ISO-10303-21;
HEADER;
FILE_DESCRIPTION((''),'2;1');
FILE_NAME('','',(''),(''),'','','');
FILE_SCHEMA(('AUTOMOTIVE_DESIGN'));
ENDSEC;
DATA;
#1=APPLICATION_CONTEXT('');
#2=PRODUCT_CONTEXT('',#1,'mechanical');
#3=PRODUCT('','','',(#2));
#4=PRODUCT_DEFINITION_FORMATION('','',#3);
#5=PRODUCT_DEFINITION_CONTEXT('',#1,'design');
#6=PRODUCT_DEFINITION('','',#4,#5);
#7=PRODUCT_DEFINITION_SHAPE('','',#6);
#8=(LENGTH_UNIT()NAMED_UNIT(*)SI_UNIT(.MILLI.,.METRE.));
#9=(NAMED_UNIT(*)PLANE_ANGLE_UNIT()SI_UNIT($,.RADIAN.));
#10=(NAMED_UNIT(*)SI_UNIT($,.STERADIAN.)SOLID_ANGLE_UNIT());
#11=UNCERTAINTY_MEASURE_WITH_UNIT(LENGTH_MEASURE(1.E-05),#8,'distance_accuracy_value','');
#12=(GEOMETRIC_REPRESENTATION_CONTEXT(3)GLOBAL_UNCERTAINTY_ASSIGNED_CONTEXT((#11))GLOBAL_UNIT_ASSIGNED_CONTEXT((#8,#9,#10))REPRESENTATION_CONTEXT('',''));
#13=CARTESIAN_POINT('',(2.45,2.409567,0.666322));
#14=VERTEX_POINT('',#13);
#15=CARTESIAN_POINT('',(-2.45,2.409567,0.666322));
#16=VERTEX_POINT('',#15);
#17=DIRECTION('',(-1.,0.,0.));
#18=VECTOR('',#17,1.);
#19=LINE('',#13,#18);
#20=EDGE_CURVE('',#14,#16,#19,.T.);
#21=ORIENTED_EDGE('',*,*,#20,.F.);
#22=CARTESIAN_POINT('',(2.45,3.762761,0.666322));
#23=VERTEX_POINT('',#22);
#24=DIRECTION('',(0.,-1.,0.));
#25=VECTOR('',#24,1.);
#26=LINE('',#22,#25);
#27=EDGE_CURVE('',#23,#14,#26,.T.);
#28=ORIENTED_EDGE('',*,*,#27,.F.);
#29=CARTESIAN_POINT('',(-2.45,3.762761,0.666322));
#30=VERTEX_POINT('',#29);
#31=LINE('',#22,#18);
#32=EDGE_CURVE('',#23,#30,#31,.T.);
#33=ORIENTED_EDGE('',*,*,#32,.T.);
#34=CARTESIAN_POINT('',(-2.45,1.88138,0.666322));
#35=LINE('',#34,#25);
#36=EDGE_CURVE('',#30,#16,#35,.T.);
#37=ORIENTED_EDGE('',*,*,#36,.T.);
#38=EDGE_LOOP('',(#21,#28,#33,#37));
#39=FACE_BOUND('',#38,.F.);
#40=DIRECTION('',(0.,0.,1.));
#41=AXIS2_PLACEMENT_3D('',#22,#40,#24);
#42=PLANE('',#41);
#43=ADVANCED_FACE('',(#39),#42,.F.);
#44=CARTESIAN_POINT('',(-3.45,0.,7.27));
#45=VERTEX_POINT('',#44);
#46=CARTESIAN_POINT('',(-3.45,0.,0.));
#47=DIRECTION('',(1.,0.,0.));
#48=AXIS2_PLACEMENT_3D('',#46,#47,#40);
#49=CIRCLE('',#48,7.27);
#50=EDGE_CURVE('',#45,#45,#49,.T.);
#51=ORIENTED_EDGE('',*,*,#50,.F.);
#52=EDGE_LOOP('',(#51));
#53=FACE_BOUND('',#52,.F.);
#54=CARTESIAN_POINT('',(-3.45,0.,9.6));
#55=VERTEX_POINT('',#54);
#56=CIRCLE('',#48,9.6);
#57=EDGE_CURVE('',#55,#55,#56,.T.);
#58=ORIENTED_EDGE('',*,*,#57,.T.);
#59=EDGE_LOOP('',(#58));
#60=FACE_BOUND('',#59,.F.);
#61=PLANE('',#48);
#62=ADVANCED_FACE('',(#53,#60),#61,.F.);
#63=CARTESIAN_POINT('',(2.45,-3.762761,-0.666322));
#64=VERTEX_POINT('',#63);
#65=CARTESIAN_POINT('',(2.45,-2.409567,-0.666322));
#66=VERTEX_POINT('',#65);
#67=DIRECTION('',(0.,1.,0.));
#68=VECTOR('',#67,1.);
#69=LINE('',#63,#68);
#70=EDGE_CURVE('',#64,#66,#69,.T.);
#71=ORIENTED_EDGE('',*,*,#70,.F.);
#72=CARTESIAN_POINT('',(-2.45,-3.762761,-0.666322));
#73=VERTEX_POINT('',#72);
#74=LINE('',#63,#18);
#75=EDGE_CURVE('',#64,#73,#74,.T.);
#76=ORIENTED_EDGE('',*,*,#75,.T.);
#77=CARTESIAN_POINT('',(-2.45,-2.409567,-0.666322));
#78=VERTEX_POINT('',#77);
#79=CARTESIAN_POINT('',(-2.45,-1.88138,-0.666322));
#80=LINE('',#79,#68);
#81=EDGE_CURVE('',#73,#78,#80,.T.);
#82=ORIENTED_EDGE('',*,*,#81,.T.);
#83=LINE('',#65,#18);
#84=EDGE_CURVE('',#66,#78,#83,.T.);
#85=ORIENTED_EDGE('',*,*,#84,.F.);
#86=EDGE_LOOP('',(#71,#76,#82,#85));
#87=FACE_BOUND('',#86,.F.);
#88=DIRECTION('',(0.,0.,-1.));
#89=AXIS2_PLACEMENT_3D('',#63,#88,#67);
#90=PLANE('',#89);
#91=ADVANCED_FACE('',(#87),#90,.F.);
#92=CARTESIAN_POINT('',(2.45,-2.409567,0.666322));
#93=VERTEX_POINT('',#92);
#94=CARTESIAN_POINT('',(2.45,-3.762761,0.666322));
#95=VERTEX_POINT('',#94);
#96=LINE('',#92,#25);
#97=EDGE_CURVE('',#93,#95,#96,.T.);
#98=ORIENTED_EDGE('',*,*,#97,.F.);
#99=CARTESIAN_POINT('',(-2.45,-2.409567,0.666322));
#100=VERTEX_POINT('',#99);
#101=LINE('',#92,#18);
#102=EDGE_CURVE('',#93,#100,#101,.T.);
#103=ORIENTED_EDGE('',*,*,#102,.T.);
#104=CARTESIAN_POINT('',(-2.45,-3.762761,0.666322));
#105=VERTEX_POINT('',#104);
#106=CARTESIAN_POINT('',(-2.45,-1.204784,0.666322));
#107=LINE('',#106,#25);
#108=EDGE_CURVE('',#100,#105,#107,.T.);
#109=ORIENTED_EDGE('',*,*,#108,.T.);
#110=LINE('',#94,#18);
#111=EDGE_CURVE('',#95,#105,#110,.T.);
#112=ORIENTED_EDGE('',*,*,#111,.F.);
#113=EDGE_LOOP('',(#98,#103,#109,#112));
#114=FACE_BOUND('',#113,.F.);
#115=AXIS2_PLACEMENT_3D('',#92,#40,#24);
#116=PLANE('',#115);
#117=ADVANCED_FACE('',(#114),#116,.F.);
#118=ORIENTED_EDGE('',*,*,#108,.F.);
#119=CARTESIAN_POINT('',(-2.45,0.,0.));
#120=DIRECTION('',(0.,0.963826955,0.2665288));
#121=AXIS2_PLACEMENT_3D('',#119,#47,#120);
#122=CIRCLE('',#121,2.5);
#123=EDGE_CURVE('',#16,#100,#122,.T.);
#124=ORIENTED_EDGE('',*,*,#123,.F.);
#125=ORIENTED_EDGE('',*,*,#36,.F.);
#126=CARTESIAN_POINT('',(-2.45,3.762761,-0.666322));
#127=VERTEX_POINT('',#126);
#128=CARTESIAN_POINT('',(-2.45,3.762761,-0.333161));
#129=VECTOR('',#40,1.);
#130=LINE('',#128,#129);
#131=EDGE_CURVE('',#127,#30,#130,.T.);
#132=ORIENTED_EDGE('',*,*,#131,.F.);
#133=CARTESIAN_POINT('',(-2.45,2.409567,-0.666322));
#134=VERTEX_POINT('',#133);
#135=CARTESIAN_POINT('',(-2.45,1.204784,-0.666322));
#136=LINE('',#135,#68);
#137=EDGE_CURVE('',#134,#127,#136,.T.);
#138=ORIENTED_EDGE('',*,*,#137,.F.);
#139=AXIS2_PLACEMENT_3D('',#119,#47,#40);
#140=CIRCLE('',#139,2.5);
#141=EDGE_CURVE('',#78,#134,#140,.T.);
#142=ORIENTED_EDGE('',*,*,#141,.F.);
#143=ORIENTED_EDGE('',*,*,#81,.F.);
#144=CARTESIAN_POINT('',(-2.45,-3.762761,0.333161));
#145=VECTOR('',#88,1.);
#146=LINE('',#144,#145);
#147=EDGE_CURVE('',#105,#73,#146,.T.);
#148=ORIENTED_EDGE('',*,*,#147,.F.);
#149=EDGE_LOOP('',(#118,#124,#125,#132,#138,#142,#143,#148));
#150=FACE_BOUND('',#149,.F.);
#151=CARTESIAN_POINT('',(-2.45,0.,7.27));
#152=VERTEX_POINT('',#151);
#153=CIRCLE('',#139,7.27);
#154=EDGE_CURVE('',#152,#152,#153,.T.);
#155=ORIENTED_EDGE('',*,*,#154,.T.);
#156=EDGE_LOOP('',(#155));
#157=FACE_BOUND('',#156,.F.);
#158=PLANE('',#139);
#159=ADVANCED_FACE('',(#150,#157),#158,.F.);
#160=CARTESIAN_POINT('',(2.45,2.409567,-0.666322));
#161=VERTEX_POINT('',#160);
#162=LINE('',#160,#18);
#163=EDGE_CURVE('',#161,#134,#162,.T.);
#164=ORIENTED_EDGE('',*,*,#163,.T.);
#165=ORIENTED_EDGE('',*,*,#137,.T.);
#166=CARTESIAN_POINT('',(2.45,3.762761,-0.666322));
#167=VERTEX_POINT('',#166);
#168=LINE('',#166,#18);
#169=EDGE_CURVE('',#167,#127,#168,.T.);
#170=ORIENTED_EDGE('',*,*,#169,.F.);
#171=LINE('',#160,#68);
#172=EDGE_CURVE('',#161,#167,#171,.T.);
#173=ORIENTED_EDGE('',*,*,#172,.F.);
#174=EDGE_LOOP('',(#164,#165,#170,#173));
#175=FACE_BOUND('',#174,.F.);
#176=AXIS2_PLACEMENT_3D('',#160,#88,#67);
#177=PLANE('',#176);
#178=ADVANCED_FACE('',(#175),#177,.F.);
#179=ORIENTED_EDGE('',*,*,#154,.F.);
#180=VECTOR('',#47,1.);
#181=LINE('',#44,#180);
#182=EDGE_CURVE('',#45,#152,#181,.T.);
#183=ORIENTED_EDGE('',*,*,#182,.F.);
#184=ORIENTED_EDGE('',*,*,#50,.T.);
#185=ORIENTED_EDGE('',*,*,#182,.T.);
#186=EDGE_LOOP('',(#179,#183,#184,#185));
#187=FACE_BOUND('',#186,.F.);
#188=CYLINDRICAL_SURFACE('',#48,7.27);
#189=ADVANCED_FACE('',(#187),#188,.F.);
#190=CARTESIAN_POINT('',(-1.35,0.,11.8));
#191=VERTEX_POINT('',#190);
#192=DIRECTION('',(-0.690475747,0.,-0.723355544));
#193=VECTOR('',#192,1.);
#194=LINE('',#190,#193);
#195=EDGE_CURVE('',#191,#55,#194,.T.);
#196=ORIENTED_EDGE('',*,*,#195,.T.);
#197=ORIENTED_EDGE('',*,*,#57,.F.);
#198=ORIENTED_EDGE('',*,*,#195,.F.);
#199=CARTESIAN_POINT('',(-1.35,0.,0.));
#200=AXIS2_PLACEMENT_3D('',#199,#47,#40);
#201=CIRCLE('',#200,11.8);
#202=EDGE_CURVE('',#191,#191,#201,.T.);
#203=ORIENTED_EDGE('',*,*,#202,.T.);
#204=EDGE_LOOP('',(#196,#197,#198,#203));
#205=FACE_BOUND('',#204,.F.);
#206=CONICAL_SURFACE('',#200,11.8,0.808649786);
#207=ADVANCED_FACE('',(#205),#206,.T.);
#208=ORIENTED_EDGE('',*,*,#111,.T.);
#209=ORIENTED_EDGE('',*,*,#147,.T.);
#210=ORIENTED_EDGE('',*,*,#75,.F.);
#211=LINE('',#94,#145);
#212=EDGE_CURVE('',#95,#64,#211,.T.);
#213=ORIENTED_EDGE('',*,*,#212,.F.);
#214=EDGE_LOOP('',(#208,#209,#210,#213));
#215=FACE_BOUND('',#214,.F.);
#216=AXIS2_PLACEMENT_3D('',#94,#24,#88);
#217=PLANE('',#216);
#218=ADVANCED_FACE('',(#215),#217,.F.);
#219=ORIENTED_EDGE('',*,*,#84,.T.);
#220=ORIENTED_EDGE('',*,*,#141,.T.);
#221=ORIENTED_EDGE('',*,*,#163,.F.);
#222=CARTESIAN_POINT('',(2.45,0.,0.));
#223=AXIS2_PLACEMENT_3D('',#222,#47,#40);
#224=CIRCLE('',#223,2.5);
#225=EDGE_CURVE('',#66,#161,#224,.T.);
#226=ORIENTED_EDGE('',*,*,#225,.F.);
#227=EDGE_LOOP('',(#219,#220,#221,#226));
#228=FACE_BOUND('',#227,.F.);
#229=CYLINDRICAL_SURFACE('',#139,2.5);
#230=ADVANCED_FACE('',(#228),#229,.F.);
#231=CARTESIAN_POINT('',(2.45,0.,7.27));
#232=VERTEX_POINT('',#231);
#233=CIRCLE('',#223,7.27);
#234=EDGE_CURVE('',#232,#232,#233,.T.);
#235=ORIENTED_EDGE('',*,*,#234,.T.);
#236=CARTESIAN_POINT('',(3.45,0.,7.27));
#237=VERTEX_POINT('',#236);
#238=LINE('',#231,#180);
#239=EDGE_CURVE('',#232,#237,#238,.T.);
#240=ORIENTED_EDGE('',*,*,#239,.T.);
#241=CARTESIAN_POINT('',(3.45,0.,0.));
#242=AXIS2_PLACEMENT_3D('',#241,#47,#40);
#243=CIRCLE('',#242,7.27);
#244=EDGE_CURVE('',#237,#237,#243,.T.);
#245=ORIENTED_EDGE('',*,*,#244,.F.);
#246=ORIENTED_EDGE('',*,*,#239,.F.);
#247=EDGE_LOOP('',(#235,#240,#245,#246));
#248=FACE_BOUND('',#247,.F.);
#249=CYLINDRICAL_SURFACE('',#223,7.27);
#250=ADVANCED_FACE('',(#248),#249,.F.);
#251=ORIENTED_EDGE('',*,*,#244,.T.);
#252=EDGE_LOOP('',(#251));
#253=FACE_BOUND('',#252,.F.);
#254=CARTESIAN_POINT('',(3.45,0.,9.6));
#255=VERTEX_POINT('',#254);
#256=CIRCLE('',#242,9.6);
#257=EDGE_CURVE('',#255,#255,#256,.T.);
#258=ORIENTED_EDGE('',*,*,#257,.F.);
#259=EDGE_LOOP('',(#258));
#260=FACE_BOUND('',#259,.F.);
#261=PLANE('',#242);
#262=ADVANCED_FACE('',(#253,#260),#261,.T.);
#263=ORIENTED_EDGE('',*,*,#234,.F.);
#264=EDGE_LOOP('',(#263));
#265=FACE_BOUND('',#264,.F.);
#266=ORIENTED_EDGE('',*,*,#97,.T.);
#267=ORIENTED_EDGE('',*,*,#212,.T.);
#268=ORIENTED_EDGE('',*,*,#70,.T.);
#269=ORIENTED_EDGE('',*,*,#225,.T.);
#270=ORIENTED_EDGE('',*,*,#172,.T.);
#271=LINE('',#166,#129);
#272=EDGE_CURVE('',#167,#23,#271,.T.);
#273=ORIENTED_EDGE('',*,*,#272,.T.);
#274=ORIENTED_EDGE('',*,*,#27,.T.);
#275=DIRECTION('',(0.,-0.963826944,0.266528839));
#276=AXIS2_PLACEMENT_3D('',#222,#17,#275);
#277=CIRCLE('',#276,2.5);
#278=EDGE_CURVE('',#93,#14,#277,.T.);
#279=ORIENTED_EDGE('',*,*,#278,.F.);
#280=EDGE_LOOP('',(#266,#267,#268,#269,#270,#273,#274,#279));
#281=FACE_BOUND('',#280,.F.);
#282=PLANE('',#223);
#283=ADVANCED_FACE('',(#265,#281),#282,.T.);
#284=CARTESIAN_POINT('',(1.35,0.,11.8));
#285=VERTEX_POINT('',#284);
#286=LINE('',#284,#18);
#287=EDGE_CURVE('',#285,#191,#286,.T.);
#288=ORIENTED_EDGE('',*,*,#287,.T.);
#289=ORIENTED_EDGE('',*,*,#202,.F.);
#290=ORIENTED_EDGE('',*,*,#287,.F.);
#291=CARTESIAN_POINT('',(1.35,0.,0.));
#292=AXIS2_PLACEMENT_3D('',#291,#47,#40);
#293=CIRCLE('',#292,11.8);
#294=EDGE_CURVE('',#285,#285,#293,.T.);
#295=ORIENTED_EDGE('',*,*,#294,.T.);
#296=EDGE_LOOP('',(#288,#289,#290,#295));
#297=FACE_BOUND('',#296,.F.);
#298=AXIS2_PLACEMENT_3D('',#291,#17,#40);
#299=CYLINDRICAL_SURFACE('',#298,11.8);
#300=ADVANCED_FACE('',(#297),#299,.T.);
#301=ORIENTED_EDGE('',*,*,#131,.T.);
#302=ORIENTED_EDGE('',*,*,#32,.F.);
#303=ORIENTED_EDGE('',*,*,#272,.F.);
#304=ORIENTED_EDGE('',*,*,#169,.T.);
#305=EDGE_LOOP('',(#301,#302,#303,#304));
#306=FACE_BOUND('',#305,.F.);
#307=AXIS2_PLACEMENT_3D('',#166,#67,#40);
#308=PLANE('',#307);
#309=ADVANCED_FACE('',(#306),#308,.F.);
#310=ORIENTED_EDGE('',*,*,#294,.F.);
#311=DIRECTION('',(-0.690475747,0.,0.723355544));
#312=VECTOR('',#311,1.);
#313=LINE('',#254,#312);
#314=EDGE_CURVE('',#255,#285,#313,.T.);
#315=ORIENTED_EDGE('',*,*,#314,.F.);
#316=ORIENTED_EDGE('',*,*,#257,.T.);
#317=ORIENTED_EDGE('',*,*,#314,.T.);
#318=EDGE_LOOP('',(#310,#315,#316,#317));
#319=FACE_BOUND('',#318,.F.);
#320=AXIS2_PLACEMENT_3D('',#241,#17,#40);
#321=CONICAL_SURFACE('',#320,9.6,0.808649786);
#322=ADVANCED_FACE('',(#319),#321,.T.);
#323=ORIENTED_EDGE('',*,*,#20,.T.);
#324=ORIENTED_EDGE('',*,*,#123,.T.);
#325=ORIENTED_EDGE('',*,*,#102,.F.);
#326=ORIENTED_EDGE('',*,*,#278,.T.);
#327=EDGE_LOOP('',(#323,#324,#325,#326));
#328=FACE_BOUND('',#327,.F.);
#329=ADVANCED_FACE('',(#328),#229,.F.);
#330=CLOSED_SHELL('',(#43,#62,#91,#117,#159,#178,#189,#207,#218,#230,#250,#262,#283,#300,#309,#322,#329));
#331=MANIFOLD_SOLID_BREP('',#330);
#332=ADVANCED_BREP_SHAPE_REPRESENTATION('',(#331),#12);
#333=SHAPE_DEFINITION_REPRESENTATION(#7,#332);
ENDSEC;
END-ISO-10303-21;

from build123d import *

# Parameters (mm, degrees)
F3_DEPTH = 5.901


with BuildPart() as f1:
    # F0 (on Front) → F1 (revolve)
    with BuildSketch(Plane.XZ):
        Polygon((1.35, 11.8), (0, 11.8), (-1.35, 11.8), (-3.45, 9.6), (-3.45, 7.27), (-2.45, 7.27), (-2.45, 2.5), (2.45, 2.5), (2.45, 7.27), (3.45, 7.27), (3.45, 9.6), align=None)
    revolve(axis=Axis((0.211195, 0, 0), (1, 0, 0)))

    # F2 (on face) → F3 (cut, through all)
    with BuildSketch(Plane.YZ.offset(2.45)):
        with BuildLine():
            Line((-2.409567, 0.666322), (-3.762761, 0.666322))
            Line((-3.762761, 0.666322), (-3.762761, -0.666322))
            Line((-3.762761, -0.666322), (-2.409567, -0.666322))
            ThreePointArc((-2.409567, -0.666322), (-2.5, 0), (-2.409567, 0.666322))
        make_face()
        with BuildLine():
            Line((3.762761, 0.666322), (2.409567, 0.666322))
            ThreePointArc((2.409567, 0.666322), (2.477289, 0.336216), (2.5, 0))
            ThreePointArc((2.5, 0), (2.477289, -0.336216), (2.409567, -0.666322))
            Line((2.409567, -0.666322), (3.762761, -0.666322))
            Line((3.762761, -0.666322), (3.762761, 0.666322))
        make_face()
    extrude(amount=-F3_DEPTH, mode=Mode.SUBTRACT)


solid = f1.part
